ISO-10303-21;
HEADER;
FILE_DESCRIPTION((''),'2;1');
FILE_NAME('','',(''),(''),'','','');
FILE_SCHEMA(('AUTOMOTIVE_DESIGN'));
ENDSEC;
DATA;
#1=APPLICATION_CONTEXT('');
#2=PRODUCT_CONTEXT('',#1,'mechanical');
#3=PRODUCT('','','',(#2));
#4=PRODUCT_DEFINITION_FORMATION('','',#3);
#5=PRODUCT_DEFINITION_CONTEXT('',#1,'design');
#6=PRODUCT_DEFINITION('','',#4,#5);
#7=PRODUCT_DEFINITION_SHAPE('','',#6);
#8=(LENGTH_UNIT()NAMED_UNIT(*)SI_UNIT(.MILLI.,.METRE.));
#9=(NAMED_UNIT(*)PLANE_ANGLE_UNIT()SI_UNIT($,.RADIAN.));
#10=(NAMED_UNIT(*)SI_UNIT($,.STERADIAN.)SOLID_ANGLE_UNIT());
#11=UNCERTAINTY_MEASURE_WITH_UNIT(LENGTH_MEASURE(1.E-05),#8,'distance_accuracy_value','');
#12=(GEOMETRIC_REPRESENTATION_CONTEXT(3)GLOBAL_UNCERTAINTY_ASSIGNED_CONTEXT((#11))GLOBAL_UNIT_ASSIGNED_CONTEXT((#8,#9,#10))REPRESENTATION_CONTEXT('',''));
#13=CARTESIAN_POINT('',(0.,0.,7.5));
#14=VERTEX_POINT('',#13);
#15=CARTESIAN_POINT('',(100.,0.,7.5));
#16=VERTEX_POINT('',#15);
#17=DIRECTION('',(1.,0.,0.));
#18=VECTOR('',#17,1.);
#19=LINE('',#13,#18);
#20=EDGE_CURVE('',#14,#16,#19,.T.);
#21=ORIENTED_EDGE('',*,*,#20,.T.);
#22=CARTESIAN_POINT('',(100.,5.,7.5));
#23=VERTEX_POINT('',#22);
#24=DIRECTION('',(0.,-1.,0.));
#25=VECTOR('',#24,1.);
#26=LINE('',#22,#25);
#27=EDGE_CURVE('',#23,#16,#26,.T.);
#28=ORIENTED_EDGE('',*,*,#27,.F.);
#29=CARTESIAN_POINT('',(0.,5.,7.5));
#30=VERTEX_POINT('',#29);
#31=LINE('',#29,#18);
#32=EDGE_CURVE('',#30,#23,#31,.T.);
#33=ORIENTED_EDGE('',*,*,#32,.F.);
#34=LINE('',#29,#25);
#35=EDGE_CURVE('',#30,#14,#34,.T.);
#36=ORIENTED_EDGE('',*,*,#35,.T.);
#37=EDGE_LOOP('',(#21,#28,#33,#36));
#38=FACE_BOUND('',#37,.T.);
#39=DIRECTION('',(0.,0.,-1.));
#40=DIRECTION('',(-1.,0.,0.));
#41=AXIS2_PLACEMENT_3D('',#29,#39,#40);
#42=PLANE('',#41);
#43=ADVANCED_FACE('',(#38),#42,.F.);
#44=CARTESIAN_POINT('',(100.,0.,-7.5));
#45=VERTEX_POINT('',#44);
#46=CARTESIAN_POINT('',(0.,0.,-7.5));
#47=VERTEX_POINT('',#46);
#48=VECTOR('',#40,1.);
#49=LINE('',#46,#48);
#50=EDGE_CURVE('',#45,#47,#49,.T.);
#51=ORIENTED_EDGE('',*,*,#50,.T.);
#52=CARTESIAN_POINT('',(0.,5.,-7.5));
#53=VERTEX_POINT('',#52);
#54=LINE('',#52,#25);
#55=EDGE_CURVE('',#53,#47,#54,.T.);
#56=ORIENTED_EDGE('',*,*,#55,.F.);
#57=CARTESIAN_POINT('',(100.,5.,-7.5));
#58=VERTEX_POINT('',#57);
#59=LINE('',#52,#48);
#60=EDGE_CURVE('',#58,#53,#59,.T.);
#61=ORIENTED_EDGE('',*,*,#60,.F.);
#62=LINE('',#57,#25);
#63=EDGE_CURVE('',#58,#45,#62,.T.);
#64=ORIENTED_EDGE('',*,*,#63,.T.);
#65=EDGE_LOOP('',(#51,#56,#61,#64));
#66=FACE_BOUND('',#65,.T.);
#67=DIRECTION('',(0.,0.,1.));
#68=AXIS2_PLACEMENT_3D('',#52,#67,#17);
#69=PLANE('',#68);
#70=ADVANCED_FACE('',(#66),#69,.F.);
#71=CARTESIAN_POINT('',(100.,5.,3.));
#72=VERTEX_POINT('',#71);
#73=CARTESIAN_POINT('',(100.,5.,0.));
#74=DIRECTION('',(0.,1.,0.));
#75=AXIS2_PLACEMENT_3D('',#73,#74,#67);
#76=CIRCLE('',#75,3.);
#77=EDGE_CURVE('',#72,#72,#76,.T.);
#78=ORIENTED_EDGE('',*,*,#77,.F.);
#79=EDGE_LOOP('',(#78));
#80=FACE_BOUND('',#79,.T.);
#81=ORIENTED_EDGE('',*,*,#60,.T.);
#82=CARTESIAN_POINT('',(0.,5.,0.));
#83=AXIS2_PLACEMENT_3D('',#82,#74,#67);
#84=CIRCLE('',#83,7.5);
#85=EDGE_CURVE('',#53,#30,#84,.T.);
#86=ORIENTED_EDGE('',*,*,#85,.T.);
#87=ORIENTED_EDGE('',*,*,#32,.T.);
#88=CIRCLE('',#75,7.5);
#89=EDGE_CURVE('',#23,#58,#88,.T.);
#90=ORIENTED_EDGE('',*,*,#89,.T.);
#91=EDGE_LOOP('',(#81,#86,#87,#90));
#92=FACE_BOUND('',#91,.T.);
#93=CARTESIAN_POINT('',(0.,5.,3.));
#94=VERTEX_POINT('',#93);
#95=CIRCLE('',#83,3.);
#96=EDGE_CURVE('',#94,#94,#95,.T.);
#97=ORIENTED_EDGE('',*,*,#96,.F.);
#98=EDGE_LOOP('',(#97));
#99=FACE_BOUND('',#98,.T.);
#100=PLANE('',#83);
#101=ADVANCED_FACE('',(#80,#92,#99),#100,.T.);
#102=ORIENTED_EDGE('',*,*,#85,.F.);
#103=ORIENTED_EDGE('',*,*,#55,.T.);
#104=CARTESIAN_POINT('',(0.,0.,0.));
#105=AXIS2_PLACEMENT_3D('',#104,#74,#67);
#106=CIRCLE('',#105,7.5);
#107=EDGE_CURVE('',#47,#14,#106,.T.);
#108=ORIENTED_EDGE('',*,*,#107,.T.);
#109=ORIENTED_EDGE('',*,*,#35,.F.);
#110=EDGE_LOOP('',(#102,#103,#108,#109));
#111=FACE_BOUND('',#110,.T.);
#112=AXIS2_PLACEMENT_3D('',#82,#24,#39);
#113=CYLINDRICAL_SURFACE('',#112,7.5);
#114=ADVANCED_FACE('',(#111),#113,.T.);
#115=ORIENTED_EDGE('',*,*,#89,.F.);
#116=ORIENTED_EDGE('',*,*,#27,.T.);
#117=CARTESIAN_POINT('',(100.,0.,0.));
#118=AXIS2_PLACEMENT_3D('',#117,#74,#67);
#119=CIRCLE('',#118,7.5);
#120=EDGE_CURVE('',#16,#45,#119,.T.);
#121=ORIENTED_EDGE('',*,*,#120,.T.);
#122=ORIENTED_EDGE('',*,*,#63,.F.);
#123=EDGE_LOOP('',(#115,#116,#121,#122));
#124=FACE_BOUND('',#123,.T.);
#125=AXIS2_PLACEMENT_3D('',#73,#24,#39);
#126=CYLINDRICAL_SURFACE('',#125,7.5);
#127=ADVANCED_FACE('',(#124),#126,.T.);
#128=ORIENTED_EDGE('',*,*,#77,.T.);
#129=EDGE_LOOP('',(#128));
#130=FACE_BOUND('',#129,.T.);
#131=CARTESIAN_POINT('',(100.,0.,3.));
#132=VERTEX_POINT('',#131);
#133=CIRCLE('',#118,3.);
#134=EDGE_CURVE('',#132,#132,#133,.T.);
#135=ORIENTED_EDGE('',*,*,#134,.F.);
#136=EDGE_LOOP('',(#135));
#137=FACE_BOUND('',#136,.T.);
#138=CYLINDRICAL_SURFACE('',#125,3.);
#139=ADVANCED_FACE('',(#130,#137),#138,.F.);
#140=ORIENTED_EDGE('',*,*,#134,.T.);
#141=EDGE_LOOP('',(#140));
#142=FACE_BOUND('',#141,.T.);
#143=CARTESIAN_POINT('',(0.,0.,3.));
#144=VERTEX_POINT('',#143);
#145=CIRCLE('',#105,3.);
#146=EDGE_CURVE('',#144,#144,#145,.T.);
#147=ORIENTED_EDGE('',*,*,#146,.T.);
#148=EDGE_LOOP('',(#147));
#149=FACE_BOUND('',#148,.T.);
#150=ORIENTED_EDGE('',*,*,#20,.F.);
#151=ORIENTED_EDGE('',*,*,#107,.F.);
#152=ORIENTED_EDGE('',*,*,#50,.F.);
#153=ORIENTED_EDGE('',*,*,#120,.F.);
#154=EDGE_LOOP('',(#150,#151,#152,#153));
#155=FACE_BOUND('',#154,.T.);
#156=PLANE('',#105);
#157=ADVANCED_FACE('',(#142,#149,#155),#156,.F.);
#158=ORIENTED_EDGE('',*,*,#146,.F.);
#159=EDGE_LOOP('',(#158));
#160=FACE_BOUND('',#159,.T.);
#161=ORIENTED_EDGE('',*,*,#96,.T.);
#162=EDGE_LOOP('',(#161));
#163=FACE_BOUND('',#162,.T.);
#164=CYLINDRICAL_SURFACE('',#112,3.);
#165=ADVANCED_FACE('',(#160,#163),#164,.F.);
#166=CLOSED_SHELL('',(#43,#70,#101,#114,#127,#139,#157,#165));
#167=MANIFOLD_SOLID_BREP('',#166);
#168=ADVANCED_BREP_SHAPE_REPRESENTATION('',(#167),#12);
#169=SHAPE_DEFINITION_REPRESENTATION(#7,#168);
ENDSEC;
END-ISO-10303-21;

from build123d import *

# Parameters (mm, degrees)
SKETCH1_R           = 3
BOSS_EXTRUDE1_DEPTH = 5


with BuildPart() as part:
    # Sketch1 → Boss-Extrude1 (new body)
    with BuildSketch(Plane(origin=(0, 0, 0), x_dir=(1, 0, 0), z_dir=(0, 1, 0))):
        with BuildLine():
            Line((0, 7.5), (100, 7.5))
            ThreePointArc((100, 7.5), (107.5, 0), (100, -7.5))
            Line((100, -7.5), (0, -7.5))
            ThreePointArc((0, -7.5), (-7.5, 0), (0, 7.5))
        make_face()
        with Locations((100, 0)):
            Circle(SKETCH1_R, mode=Mode.SUBTRACT)
        Circle(SKETCH1_R, mode=Mode.SUBTRACT)
    extrude(amount=BOSS_EXTRUDE1_DEPTH)


solid = part.part
